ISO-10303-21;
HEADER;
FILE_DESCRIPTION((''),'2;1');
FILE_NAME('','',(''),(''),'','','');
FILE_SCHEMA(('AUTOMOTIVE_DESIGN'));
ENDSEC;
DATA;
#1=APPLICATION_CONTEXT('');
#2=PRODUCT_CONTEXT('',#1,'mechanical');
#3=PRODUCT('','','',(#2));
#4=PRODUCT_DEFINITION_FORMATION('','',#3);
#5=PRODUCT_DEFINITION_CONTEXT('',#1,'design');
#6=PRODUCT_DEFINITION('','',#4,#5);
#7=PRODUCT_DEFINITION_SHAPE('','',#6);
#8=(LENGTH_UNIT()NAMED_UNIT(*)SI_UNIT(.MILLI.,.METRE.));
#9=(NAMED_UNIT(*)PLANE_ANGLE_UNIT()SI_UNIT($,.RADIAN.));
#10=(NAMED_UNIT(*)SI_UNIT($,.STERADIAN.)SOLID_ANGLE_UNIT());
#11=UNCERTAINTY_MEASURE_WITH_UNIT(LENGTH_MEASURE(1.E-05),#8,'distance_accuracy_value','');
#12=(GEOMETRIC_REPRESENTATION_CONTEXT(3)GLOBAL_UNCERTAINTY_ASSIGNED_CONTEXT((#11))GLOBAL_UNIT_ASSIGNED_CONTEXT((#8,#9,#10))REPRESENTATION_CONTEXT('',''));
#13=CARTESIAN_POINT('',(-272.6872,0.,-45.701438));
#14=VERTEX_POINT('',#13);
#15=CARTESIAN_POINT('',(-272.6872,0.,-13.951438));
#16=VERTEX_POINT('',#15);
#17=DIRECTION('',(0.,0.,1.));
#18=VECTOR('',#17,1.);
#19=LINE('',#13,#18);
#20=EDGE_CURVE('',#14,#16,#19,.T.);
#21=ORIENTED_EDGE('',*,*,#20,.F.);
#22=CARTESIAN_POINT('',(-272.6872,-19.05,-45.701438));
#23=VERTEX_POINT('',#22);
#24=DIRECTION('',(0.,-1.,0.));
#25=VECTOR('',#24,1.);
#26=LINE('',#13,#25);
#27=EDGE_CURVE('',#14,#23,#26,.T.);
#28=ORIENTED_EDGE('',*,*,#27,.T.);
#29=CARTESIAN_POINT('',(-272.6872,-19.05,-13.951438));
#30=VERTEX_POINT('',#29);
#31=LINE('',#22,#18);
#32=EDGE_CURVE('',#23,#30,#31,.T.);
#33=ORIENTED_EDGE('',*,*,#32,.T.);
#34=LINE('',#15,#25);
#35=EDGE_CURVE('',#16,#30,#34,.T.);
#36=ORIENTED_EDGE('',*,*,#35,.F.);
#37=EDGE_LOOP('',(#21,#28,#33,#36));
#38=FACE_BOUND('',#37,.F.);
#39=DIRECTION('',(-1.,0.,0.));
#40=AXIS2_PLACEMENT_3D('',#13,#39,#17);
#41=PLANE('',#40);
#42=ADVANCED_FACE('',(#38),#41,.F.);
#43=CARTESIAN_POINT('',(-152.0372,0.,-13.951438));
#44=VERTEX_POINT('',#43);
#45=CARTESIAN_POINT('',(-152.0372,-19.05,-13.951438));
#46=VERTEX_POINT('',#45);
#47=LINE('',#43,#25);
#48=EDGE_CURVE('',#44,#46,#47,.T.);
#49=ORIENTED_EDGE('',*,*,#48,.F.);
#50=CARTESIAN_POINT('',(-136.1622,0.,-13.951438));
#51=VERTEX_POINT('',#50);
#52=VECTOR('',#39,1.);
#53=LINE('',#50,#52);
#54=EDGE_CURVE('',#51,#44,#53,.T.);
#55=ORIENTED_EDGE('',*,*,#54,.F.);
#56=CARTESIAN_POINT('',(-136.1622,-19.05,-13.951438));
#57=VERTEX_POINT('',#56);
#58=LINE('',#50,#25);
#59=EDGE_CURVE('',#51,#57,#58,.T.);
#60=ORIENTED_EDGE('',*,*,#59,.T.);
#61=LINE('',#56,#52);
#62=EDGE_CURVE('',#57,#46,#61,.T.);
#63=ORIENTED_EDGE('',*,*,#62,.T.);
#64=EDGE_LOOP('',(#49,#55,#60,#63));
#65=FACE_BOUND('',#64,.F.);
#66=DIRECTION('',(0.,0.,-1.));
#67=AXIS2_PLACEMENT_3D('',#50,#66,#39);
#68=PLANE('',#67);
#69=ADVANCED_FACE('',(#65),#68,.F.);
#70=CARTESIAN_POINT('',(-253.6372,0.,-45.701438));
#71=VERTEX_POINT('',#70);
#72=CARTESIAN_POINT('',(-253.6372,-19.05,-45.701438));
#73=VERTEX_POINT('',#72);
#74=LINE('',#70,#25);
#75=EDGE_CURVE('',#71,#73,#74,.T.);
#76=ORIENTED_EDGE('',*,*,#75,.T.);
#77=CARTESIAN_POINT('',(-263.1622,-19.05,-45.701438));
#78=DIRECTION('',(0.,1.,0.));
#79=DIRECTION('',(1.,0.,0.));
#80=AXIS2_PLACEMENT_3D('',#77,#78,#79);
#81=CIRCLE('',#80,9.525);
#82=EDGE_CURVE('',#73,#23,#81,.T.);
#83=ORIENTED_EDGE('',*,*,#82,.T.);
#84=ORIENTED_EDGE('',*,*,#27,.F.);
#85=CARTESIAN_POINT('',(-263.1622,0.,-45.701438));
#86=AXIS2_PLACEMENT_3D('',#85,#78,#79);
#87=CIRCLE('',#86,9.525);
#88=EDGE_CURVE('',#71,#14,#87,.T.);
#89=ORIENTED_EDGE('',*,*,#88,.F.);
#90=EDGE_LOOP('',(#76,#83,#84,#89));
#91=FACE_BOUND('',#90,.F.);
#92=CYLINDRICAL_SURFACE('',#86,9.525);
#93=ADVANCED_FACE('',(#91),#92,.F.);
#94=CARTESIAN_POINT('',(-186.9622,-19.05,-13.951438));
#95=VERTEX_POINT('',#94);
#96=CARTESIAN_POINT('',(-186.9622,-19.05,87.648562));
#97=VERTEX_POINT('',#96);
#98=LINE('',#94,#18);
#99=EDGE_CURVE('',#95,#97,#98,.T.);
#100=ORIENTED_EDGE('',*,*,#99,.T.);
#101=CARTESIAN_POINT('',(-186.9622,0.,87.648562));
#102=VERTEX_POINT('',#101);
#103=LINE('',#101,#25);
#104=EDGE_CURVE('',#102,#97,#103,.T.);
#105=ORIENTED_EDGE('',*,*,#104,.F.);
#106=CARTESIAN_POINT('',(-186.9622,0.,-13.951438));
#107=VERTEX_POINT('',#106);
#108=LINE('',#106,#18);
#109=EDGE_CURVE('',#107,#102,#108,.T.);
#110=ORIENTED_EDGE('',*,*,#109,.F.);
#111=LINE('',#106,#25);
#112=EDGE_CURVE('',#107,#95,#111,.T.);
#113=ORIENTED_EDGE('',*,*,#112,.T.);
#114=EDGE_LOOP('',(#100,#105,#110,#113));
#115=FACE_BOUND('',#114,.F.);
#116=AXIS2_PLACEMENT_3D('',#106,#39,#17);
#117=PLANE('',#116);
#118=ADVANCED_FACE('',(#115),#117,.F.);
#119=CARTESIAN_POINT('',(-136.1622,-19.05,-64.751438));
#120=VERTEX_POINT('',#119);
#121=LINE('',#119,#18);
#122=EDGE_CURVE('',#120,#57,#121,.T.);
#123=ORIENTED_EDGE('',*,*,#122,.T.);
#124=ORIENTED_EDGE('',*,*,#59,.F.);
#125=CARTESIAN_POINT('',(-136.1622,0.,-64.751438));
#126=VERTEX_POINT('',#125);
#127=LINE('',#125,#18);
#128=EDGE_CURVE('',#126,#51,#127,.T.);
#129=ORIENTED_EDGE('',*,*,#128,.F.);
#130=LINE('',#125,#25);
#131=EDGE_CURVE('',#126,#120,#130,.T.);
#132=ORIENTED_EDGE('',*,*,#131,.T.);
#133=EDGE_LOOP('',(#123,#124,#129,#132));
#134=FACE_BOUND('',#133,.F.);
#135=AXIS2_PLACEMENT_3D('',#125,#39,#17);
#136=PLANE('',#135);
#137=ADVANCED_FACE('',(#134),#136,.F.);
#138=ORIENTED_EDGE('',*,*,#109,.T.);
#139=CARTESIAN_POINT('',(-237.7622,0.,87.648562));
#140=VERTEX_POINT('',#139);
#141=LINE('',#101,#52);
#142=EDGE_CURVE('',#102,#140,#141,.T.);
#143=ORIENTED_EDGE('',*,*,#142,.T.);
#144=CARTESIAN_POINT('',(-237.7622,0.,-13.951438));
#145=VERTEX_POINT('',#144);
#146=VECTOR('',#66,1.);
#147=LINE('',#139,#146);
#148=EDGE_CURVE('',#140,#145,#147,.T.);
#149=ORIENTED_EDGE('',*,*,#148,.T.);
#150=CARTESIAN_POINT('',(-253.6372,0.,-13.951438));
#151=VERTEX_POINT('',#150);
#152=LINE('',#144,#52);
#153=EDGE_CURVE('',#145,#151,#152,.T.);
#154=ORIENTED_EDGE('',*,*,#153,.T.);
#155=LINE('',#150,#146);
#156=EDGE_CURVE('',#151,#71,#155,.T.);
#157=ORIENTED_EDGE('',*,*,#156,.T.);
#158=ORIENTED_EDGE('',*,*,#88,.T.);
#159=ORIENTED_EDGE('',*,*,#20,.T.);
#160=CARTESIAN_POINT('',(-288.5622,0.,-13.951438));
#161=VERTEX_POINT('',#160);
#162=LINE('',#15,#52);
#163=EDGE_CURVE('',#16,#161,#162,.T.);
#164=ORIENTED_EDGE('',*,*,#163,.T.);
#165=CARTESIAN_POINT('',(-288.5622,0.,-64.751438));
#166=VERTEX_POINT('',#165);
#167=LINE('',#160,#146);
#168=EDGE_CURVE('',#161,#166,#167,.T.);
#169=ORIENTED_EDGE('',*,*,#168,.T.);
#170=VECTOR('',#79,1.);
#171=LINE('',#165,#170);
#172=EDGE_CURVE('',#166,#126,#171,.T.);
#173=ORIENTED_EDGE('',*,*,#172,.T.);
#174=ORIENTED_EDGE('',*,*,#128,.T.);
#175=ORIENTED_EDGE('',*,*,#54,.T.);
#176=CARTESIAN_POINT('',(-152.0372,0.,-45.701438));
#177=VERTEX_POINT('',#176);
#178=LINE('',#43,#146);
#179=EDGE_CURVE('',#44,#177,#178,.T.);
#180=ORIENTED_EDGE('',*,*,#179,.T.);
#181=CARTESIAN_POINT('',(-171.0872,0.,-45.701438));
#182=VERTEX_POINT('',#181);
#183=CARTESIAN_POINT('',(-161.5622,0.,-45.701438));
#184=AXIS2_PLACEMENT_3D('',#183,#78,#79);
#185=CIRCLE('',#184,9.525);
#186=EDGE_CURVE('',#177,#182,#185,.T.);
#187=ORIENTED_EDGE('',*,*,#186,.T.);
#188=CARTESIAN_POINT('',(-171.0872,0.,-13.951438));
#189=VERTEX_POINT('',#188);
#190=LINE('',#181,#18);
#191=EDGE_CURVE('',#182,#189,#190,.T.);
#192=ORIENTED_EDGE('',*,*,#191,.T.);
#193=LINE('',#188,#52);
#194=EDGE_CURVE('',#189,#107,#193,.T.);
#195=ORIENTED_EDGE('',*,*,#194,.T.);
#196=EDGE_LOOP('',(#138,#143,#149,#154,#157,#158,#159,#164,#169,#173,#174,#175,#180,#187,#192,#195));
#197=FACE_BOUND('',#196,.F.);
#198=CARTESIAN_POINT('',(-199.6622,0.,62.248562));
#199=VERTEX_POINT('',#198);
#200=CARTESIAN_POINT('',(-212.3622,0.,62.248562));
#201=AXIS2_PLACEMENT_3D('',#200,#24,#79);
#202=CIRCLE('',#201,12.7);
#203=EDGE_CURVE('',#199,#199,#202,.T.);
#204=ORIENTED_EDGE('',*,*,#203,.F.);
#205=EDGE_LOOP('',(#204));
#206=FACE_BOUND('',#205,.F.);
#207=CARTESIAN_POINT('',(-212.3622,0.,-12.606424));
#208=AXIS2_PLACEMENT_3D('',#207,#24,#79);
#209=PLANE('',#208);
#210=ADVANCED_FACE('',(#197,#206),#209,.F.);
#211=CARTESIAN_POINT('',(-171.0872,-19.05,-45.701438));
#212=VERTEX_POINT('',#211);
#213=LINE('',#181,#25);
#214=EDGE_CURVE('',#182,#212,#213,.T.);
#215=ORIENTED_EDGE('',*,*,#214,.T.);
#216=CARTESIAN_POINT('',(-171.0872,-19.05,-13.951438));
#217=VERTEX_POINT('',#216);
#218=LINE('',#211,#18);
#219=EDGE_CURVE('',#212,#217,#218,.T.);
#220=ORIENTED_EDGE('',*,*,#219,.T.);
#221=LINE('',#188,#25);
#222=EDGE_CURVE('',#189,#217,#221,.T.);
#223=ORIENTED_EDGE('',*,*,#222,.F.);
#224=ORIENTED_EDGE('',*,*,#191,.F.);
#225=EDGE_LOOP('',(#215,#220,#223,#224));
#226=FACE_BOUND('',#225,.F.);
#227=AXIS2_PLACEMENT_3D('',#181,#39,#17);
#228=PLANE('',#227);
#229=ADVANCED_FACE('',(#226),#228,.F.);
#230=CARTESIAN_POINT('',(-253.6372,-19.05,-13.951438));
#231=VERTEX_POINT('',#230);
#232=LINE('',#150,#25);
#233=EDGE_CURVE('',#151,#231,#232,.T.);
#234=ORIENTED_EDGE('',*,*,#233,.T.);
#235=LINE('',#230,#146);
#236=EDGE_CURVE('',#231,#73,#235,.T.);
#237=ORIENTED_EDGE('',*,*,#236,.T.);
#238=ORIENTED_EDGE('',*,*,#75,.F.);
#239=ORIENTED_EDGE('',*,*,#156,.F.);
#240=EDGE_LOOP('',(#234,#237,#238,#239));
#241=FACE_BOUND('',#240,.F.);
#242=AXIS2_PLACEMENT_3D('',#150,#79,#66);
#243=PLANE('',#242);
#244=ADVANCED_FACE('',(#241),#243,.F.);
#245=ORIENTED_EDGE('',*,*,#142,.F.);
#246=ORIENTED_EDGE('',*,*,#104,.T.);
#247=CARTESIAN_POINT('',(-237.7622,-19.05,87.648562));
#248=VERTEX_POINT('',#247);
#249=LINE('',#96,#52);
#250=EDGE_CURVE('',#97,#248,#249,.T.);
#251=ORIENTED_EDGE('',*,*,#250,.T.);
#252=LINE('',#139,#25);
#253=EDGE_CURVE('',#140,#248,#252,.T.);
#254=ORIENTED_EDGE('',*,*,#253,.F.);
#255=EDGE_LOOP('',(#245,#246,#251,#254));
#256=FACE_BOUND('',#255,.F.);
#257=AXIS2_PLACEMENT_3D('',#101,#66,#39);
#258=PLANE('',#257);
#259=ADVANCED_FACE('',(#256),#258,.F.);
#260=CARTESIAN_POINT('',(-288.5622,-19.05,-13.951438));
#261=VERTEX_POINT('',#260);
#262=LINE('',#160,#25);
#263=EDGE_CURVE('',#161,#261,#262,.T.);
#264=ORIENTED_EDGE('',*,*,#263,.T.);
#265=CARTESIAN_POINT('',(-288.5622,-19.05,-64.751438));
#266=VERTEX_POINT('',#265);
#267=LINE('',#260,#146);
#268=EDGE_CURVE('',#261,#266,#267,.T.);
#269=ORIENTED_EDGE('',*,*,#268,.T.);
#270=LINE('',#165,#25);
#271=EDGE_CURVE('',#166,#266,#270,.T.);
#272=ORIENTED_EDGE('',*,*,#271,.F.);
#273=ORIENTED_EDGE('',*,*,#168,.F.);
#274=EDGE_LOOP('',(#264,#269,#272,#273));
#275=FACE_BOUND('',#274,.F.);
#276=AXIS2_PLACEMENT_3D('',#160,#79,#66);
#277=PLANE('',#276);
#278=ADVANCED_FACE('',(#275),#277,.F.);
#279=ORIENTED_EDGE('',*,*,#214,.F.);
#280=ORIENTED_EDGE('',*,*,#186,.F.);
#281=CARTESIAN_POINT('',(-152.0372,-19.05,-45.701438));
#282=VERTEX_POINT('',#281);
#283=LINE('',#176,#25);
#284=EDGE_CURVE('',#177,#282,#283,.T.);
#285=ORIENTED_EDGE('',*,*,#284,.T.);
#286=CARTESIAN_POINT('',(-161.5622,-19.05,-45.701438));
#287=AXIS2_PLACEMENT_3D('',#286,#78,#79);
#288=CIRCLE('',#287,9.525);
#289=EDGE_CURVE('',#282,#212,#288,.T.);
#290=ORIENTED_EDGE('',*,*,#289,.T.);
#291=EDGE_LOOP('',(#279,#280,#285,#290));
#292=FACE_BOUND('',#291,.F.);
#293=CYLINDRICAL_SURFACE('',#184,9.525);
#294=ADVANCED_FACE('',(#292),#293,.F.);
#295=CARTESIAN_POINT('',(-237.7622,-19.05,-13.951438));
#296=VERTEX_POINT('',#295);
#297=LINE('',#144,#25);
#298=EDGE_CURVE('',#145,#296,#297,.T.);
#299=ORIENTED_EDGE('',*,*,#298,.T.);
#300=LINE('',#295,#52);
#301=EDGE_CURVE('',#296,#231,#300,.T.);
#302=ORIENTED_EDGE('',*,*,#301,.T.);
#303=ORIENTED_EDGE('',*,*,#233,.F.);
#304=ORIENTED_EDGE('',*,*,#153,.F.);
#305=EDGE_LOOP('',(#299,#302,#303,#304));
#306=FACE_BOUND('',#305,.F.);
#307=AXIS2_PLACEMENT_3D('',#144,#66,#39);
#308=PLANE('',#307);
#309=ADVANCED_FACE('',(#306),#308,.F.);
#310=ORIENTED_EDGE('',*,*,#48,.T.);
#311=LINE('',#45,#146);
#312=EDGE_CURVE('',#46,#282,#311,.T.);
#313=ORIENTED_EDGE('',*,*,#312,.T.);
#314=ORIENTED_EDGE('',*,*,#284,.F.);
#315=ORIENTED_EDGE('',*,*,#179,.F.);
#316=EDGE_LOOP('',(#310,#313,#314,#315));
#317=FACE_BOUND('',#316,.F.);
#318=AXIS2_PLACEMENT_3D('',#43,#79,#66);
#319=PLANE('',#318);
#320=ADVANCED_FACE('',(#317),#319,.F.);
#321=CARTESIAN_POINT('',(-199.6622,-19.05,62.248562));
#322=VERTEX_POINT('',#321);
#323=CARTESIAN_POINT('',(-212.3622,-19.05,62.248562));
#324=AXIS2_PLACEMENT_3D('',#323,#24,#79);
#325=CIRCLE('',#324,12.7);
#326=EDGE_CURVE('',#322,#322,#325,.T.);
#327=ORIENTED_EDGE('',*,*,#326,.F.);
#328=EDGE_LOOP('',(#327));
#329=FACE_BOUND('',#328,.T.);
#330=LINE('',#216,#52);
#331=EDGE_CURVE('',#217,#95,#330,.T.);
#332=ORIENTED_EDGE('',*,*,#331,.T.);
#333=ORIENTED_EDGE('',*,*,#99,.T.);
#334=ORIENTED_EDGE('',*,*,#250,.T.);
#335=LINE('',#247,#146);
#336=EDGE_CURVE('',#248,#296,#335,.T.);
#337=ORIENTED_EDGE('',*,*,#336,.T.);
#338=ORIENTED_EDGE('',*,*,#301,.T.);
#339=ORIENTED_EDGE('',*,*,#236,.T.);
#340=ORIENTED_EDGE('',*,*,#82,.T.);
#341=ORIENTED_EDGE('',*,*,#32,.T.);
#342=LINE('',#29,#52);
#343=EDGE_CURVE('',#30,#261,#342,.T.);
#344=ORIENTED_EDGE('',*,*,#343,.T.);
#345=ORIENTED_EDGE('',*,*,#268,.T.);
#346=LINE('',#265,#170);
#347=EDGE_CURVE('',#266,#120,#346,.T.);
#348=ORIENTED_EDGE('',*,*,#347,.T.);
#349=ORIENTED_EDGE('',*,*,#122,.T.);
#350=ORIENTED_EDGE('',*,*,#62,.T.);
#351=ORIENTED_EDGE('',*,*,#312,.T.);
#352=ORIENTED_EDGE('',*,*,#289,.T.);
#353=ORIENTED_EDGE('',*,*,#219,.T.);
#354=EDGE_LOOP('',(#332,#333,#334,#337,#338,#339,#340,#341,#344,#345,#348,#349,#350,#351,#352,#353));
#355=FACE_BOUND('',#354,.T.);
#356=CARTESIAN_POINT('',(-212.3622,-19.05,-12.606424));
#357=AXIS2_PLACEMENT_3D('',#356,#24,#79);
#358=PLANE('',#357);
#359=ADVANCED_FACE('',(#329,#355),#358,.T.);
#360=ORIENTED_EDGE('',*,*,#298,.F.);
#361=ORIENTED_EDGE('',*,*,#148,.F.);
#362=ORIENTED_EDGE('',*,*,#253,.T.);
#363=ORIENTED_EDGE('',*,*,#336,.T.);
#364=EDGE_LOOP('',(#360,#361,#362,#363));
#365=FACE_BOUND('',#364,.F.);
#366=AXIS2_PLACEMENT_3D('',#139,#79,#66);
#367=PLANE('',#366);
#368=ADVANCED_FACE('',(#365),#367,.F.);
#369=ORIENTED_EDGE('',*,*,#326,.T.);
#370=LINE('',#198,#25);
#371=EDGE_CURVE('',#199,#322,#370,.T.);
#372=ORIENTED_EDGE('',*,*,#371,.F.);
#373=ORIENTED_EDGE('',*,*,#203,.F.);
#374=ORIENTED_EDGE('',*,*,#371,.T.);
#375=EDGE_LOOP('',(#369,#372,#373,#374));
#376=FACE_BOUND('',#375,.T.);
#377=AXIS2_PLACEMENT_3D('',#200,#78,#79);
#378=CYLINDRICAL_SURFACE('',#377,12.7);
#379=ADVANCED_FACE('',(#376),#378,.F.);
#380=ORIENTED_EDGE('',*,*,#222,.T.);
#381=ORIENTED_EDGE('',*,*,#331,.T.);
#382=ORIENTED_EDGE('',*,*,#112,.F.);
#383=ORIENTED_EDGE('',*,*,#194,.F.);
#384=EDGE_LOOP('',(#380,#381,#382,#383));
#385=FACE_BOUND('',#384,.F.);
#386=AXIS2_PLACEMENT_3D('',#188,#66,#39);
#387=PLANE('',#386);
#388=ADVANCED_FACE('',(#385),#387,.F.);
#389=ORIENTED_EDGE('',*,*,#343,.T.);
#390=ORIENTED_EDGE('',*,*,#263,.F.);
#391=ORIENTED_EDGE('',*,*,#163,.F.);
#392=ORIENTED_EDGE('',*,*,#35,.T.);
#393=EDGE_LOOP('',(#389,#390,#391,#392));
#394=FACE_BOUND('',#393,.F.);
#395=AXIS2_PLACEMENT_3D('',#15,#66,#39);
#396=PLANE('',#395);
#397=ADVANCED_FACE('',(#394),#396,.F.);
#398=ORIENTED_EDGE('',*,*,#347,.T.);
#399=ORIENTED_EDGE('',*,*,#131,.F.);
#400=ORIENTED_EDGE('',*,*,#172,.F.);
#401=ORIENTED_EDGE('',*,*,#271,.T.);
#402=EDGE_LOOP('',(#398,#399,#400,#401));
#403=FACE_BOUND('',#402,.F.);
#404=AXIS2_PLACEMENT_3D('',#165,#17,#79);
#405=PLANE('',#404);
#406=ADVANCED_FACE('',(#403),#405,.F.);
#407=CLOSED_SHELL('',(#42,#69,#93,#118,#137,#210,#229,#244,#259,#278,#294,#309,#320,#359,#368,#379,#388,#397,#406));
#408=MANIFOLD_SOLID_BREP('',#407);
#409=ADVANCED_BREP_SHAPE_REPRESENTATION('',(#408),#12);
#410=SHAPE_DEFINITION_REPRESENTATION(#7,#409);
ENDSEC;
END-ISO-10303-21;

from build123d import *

# Parameters (mm, degrees)
F0_R     = 12.7
F1_DEPTH = 19.05


with BuildPart() as f1:
    # F0 (on Front) → F1 (new body)
    with BuildSketch(Plane.XZ):
        with BuildLine():
            Line((-171.0872, -13.951438), (-186.9622, -13.951438))
            Line((-186.9622, -13.951438), (-186.9622, 87.648562))
            Line((-186.9622, 87.648562), (-237.7622, 87.648562))
            Line((-237.7622, 87.648562), (-237.7622, -13.951438))
            Line((-237.7622, -13.951438), (-253.6372, -13.951438))
            Line((-253.6372, -13.951438), (-253.6372, -45.701438))
            ThreePointArc((-253.6372, -45.701438), (-263.1622, -55.226438), (-272.6872, -45.701438))
            Line((-272.6872, -45.701438), (-272.6872, -13.951438))
            Line((-272.6872, -13.951438), (-288.5622, -13.951438))
            Line((-288.5622, -13.951438), (-288.5622, -64.751438))
            Line((-288.5622, -64.751438), (-136.1622, -64.751438))
            Line((-136.1622, -64.751438), (-136.1622, -13.951438))
            Line((-136.1622, -13.951438), (-152.0372, -13.951438))
            Line((-152.0372, -13.951438), (-152.0372, -45.701438))
            ThreePointArc((-152.0372, -45.701438), (-161.5622, -55.226438), (-171.0872, -45.701438))
            Line((-171.0872, -45.701438), (-171.0872, -13.951438))
        make_face()
        with Locations((-212.3622, 62.248562)):
            Circle(F0_R, mode=Mode.SUBTRACT)
    extrude(amount=F1_DEPTH)


solid = f1.part
